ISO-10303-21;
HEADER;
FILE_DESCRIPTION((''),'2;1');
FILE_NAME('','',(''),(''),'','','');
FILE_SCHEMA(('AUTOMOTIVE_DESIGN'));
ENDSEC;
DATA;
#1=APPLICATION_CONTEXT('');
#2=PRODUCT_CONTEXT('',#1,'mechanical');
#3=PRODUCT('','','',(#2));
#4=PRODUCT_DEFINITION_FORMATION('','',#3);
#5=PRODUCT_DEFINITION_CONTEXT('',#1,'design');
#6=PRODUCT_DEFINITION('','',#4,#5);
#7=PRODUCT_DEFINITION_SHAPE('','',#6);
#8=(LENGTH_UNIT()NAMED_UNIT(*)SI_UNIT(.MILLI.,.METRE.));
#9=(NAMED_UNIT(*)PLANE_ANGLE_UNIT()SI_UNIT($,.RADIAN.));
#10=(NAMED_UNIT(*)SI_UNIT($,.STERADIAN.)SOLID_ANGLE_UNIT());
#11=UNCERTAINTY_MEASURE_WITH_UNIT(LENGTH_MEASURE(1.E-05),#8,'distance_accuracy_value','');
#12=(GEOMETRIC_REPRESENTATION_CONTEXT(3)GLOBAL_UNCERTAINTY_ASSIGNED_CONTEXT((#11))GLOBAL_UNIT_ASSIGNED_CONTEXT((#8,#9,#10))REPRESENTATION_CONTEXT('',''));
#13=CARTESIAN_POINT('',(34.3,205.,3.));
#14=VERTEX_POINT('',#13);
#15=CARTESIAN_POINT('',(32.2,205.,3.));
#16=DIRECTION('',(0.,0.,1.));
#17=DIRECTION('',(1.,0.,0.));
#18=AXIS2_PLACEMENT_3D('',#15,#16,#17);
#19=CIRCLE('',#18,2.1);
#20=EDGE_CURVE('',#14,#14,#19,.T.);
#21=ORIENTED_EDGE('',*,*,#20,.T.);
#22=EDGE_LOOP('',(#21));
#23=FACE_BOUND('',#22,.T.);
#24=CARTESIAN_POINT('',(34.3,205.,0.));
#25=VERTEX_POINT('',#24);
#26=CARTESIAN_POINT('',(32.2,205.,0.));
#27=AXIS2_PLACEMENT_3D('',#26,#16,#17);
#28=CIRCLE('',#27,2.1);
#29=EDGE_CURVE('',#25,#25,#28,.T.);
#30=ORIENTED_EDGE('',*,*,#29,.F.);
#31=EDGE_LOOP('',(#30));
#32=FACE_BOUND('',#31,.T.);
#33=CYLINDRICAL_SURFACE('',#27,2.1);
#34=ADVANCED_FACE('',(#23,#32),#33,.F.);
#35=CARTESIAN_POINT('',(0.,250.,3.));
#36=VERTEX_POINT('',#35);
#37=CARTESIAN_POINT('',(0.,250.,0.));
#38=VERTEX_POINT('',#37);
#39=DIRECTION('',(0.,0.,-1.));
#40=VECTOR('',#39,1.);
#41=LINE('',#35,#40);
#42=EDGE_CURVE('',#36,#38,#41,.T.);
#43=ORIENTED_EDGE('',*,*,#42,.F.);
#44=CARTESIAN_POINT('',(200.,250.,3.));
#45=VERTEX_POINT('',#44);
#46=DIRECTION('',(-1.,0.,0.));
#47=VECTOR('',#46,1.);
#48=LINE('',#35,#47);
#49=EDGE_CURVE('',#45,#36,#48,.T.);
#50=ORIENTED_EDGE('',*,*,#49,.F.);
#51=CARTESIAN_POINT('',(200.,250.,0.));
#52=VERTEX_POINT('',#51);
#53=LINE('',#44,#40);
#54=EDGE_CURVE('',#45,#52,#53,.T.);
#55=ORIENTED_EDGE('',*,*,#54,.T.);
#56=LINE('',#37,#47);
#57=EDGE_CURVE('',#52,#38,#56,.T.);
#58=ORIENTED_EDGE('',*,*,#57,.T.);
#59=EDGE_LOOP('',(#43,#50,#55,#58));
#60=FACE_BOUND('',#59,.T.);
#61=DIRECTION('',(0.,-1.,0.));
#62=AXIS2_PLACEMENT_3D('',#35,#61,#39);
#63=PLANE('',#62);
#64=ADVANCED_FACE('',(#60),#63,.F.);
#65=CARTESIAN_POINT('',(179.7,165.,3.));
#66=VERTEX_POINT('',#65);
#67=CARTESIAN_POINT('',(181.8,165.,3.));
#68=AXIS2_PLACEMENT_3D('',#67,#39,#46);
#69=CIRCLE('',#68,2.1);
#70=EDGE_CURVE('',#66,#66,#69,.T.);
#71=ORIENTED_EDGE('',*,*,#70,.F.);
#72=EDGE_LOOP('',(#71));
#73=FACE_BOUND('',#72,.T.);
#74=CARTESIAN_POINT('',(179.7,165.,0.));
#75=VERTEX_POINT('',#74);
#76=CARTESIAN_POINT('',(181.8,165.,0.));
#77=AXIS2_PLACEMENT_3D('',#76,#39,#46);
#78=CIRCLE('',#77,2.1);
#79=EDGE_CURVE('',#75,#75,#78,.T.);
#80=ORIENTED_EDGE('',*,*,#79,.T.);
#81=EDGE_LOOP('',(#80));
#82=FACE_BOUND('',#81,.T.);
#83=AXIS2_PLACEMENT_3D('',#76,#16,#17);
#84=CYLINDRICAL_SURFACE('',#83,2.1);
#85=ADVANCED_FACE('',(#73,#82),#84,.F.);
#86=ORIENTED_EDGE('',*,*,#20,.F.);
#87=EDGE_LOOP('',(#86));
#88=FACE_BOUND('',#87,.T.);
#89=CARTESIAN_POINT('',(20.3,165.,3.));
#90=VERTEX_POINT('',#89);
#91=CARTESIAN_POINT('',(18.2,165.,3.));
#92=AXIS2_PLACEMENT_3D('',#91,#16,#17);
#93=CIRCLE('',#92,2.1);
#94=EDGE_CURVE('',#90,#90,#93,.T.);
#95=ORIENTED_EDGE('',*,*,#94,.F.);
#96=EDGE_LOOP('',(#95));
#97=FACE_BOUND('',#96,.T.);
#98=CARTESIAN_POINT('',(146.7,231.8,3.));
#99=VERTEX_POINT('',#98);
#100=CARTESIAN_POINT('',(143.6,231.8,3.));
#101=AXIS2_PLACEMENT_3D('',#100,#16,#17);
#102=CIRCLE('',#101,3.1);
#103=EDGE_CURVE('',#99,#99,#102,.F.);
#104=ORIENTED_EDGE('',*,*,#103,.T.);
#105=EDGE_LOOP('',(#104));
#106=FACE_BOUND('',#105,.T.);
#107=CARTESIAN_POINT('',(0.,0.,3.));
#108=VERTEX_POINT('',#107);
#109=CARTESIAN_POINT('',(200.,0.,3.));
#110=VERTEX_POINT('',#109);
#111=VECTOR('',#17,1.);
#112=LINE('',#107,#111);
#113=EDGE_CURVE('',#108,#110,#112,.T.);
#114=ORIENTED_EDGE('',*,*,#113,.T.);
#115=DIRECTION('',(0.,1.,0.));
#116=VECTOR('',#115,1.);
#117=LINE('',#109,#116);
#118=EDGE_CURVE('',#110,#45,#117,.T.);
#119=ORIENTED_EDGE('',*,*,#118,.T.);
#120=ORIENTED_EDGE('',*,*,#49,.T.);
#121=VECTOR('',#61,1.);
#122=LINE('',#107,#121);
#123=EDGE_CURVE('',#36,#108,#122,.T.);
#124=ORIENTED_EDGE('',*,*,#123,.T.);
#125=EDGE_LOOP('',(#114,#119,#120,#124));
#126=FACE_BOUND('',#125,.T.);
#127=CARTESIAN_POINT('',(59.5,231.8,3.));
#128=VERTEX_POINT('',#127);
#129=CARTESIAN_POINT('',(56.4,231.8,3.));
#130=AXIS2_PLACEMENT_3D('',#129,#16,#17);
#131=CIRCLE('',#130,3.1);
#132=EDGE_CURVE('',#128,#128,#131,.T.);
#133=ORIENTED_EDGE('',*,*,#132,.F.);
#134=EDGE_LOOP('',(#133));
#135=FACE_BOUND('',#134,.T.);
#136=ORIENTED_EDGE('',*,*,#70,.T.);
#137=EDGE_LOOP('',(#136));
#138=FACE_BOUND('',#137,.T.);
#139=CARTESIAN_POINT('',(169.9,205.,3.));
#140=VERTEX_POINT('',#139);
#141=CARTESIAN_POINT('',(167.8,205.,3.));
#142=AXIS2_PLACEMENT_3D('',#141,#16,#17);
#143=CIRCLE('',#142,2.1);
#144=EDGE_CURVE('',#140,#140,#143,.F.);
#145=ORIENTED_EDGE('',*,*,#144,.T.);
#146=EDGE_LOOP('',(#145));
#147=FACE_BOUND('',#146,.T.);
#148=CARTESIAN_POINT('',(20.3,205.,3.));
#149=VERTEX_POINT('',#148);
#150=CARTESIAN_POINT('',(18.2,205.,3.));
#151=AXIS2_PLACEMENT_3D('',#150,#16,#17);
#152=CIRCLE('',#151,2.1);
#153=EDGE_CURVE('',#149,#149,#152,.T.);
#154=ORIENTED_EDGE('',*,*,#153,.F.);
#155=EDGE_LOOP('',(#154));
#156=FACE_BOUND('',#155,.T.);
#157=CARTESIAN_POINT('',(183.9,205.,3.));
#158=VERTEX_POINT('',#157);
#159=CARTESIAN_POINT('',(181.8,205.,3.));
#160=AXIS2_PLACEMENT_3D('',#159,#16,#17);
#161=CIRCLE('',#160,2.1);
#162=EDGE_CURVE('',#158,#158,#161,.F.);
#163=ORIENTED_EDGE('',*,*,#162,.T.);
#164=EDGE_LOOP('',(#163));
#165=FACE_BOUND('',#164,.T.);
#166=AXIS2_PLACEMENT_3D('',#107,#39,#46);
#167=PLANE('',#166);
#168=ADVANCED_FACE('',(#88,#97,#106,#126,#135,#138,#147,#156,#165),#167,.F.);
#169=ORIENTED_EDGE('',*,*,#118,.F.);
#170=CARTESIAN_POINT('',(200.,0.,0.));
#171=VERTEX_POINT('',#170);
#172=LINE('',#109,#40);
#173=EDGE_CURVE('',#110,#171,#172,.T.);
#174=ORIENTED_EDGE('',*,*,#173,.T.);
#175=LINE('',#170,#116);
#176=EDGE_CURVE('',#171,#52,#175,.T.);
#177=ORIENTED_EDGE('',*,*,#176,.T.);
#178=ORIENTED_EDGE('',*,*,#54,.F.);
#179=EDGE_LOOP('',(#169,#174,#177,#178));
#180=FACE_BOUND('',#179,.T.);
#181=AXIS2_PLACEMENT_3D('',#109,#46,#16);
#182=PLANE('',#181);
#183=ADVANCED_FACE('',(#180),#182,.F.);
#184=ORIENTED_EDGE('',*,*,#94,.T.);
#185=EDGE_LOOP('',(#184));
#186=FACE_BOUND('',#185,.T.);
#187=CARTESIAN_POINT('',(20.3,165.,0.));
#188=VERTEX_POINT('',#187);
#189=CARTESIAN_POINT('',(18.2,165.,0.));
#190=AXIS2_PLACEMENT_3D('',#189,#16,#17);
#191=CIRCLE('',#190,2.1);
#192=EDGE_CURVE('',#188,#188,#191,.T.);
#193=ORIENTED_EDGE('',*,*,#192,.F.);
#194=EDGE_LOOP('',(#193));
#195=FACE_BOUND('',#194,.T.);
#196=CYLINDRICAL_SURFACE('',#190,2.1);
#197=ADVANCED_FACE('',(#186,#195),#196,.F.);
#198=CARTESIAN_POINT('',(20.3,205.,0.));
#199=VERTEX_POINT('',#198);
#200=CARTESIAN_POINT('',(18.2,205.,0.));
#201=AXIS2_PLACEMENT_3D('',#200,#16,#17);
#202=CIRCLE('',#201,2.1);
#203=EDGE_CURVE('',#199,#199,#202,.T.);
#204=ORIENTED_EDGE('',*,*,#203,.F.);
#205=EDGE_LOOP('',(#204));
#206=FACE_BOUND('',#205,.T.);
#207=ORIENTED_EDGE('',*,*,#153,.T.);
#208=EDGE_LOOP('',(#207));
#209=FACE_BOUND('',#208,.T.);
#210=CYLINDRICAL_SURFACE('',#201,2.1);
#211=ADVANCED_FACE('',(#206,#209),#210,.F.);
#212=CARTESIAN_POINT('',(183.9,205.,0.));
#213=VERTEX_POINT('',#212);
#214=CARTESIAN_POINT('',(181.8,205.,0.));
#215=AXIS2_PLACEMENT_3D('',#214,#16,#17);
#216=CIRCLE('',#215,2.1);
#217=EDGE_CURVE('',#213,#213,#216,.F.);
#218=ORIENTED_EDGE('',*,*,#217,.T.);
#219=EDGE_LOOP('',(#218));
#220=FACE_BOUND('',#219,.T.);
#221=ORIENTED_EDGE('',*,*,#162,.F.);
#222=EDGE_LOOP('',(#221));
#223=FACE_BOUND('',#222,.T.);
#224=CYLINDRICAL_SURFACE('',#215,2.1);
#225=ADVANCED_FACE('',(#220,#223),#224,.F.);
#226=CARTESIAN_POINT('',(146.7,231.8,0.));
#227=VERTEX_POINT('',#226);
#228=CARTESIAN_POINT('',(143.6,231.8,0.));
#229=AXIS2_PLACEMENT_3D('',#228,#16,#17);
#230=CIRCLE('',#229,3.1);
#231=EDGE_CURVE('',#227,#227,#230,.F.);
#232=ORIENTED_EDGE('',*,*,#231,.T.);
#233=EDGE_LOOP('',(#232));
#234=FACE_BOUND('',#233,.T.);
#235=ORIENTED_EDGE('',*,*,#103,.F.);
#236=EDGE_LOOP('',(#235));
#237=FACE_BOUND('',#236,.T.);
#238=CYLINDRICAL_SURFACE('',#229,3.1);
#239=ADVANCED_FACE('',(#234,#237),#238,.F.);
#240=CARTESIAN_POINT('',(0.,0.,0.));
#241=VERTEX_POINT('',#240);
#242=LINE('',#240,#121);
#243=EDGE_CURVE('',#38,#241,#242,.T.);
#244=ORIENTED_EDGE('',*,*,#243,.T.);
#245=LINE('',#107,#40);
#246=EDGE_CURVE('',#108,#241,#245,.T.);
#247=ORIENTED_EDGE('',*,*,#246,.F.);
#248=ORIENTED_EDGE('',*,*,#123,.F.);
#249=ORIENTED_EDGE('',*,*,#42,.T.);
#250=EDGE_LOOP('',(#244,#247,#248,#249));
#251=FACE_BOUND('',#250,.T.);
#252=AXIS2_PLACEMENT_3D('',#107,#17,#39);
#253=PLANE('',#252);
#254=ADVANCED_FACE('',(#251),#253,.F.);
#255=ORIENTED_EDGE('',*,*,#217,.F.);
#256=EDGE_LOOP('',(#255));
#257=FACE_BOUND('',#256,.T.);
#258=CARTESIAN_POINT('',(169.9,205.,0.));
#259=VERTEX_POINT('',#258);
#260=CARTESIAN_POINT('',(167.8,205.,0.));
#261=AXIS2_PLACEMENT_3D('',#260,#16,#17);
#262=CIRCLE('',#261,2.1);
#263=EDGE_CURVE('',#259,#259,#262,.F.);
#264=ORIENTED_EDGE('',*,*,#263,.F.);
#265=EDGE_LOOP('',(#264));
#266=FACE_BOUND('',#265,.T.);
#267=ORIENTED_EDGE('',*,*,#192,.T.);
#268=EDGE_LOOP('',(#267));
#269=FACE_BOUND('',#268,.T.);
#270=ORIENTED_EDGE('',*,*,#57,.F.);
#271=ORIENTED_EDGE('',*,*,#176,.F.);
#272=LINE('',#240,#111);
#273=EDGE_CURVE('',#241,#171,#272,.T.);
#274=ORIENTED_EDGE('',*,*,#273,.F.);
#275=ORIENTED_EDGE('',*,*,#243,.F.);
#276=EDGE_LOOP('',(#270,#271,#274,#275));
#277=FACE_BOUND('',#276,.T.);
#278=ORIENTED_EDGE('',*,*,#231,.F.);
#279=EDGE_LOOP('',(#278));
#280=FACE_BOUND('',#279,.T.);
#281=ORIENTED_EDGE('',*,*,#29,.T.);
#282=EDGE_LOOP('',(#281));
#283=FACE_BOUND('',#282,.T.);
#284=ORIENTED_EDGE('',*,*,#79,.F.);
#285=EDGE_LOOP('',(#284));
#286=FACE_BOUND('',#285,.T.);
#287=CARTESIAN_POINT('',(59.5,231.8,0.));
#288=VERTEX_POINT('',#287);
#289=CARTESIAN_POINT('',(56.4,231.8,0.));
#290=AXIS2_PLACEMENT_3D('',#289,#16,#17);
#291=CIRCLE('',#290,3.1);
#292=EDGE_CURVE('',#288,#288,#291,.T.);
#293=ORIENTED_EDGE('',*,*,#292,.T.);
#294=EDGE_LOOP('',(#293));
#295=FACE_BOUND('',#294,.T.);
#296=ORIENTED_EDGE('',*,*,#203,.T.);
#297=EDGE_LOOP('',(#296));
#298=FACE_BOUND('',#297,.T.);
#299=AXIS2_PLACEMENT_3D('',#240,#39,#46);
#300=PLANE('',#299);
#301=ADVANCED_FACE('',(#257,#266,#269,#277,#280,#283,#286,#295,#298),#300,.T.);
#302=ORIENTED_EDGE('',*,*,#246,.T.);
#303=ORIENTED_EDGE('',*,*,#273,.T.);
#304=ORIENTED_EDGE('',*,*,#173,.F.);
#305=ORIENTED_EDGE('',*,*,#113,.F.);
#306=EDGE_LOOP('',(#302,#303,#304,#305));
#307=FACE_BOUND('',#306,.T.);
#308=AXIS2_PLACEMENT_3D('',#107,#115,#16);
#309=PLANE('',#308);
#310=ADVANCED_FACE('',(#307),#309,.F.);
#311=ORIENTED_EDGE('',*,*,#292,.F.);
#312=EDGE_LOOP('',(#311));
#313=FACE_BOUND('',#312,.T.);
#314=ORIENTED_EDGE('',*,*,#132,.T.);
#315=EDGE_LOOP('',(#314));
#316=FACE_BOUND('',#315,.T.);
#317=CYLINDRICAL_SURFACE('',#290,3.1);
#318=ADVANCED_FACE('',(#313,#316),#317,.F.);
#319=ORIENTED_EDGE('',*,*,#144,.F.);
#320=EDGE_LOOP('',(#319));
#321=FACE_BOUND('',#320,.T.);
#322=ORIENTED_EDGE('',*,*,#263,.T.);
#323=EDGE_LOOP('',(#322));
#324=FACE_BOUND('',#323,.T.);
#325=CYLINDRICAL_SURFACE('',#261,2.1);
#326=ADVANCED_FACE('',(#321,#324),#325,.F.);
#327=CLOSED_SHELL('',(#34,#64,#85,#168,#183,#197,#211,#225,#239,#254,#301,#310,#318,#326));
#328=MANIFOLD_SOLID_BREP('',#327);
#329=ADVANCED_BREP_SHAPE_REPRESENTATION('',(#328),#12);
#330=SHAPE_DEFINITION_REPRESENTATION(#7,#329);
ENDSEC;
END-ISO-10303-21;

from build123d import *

# Parameters (mm, degrees)
SZKIC1_W                    = 200
SZKIC1_H                    = 250
DODANIE_WYCI_GNI_CIE1_DEPTH = 3
SZKIC2_R                    = 2.1
SZKIC2_R_2                  = 3.1
WYTNIJ_WYCI_GNI_CIE1_DEPTH  = 321.170267202


with BuildPart() as part:
    # Szkic1 → Dodanie-wyciągnięcie1 (new body)
    with BuildSketch(Plane.XY):
        with Locations((100, 125)):
            Rectangle(SZKIC1_W, SZKIC1_H)
    extrude(amount=DODANIE_WYCI_GNI_CIE1_DEPTH)

    # Szkic2 → Wytnij-wyciągnięcie1 (cut, through all)
    with BuildSketch(Plane.XY.offset(3)):
        with Locations((18.2, 165)):
            Circle(SZKIC2_R)
        with Locations((56.4, 231.8)):
            Circle(SZKIC2_R_2)
        with Locations((143.6, 231.8)):
            Circle(SZKIC2_R_2)
        with Locations((167.8, 205)):
            Circle(SZKIC2_R)
        with Locations((181.8, 205)):
            Circle(SZKIC2_R)
        with Locations((18.2, 205)):
            Circle(SZKIC2_R)
        with Locations((32.2, 205)):
            Circle(SZKIC2_R)
        with Locations(Location((181.8, 165, 0), (0, 0, 180))):
            Circle(SZKIC2_R)
    extrude(amount=-WYTNIJ_WYCI_GNI_CIE1_DEPTH, mode=Mode.SUBTRACT)


solid = part.part
